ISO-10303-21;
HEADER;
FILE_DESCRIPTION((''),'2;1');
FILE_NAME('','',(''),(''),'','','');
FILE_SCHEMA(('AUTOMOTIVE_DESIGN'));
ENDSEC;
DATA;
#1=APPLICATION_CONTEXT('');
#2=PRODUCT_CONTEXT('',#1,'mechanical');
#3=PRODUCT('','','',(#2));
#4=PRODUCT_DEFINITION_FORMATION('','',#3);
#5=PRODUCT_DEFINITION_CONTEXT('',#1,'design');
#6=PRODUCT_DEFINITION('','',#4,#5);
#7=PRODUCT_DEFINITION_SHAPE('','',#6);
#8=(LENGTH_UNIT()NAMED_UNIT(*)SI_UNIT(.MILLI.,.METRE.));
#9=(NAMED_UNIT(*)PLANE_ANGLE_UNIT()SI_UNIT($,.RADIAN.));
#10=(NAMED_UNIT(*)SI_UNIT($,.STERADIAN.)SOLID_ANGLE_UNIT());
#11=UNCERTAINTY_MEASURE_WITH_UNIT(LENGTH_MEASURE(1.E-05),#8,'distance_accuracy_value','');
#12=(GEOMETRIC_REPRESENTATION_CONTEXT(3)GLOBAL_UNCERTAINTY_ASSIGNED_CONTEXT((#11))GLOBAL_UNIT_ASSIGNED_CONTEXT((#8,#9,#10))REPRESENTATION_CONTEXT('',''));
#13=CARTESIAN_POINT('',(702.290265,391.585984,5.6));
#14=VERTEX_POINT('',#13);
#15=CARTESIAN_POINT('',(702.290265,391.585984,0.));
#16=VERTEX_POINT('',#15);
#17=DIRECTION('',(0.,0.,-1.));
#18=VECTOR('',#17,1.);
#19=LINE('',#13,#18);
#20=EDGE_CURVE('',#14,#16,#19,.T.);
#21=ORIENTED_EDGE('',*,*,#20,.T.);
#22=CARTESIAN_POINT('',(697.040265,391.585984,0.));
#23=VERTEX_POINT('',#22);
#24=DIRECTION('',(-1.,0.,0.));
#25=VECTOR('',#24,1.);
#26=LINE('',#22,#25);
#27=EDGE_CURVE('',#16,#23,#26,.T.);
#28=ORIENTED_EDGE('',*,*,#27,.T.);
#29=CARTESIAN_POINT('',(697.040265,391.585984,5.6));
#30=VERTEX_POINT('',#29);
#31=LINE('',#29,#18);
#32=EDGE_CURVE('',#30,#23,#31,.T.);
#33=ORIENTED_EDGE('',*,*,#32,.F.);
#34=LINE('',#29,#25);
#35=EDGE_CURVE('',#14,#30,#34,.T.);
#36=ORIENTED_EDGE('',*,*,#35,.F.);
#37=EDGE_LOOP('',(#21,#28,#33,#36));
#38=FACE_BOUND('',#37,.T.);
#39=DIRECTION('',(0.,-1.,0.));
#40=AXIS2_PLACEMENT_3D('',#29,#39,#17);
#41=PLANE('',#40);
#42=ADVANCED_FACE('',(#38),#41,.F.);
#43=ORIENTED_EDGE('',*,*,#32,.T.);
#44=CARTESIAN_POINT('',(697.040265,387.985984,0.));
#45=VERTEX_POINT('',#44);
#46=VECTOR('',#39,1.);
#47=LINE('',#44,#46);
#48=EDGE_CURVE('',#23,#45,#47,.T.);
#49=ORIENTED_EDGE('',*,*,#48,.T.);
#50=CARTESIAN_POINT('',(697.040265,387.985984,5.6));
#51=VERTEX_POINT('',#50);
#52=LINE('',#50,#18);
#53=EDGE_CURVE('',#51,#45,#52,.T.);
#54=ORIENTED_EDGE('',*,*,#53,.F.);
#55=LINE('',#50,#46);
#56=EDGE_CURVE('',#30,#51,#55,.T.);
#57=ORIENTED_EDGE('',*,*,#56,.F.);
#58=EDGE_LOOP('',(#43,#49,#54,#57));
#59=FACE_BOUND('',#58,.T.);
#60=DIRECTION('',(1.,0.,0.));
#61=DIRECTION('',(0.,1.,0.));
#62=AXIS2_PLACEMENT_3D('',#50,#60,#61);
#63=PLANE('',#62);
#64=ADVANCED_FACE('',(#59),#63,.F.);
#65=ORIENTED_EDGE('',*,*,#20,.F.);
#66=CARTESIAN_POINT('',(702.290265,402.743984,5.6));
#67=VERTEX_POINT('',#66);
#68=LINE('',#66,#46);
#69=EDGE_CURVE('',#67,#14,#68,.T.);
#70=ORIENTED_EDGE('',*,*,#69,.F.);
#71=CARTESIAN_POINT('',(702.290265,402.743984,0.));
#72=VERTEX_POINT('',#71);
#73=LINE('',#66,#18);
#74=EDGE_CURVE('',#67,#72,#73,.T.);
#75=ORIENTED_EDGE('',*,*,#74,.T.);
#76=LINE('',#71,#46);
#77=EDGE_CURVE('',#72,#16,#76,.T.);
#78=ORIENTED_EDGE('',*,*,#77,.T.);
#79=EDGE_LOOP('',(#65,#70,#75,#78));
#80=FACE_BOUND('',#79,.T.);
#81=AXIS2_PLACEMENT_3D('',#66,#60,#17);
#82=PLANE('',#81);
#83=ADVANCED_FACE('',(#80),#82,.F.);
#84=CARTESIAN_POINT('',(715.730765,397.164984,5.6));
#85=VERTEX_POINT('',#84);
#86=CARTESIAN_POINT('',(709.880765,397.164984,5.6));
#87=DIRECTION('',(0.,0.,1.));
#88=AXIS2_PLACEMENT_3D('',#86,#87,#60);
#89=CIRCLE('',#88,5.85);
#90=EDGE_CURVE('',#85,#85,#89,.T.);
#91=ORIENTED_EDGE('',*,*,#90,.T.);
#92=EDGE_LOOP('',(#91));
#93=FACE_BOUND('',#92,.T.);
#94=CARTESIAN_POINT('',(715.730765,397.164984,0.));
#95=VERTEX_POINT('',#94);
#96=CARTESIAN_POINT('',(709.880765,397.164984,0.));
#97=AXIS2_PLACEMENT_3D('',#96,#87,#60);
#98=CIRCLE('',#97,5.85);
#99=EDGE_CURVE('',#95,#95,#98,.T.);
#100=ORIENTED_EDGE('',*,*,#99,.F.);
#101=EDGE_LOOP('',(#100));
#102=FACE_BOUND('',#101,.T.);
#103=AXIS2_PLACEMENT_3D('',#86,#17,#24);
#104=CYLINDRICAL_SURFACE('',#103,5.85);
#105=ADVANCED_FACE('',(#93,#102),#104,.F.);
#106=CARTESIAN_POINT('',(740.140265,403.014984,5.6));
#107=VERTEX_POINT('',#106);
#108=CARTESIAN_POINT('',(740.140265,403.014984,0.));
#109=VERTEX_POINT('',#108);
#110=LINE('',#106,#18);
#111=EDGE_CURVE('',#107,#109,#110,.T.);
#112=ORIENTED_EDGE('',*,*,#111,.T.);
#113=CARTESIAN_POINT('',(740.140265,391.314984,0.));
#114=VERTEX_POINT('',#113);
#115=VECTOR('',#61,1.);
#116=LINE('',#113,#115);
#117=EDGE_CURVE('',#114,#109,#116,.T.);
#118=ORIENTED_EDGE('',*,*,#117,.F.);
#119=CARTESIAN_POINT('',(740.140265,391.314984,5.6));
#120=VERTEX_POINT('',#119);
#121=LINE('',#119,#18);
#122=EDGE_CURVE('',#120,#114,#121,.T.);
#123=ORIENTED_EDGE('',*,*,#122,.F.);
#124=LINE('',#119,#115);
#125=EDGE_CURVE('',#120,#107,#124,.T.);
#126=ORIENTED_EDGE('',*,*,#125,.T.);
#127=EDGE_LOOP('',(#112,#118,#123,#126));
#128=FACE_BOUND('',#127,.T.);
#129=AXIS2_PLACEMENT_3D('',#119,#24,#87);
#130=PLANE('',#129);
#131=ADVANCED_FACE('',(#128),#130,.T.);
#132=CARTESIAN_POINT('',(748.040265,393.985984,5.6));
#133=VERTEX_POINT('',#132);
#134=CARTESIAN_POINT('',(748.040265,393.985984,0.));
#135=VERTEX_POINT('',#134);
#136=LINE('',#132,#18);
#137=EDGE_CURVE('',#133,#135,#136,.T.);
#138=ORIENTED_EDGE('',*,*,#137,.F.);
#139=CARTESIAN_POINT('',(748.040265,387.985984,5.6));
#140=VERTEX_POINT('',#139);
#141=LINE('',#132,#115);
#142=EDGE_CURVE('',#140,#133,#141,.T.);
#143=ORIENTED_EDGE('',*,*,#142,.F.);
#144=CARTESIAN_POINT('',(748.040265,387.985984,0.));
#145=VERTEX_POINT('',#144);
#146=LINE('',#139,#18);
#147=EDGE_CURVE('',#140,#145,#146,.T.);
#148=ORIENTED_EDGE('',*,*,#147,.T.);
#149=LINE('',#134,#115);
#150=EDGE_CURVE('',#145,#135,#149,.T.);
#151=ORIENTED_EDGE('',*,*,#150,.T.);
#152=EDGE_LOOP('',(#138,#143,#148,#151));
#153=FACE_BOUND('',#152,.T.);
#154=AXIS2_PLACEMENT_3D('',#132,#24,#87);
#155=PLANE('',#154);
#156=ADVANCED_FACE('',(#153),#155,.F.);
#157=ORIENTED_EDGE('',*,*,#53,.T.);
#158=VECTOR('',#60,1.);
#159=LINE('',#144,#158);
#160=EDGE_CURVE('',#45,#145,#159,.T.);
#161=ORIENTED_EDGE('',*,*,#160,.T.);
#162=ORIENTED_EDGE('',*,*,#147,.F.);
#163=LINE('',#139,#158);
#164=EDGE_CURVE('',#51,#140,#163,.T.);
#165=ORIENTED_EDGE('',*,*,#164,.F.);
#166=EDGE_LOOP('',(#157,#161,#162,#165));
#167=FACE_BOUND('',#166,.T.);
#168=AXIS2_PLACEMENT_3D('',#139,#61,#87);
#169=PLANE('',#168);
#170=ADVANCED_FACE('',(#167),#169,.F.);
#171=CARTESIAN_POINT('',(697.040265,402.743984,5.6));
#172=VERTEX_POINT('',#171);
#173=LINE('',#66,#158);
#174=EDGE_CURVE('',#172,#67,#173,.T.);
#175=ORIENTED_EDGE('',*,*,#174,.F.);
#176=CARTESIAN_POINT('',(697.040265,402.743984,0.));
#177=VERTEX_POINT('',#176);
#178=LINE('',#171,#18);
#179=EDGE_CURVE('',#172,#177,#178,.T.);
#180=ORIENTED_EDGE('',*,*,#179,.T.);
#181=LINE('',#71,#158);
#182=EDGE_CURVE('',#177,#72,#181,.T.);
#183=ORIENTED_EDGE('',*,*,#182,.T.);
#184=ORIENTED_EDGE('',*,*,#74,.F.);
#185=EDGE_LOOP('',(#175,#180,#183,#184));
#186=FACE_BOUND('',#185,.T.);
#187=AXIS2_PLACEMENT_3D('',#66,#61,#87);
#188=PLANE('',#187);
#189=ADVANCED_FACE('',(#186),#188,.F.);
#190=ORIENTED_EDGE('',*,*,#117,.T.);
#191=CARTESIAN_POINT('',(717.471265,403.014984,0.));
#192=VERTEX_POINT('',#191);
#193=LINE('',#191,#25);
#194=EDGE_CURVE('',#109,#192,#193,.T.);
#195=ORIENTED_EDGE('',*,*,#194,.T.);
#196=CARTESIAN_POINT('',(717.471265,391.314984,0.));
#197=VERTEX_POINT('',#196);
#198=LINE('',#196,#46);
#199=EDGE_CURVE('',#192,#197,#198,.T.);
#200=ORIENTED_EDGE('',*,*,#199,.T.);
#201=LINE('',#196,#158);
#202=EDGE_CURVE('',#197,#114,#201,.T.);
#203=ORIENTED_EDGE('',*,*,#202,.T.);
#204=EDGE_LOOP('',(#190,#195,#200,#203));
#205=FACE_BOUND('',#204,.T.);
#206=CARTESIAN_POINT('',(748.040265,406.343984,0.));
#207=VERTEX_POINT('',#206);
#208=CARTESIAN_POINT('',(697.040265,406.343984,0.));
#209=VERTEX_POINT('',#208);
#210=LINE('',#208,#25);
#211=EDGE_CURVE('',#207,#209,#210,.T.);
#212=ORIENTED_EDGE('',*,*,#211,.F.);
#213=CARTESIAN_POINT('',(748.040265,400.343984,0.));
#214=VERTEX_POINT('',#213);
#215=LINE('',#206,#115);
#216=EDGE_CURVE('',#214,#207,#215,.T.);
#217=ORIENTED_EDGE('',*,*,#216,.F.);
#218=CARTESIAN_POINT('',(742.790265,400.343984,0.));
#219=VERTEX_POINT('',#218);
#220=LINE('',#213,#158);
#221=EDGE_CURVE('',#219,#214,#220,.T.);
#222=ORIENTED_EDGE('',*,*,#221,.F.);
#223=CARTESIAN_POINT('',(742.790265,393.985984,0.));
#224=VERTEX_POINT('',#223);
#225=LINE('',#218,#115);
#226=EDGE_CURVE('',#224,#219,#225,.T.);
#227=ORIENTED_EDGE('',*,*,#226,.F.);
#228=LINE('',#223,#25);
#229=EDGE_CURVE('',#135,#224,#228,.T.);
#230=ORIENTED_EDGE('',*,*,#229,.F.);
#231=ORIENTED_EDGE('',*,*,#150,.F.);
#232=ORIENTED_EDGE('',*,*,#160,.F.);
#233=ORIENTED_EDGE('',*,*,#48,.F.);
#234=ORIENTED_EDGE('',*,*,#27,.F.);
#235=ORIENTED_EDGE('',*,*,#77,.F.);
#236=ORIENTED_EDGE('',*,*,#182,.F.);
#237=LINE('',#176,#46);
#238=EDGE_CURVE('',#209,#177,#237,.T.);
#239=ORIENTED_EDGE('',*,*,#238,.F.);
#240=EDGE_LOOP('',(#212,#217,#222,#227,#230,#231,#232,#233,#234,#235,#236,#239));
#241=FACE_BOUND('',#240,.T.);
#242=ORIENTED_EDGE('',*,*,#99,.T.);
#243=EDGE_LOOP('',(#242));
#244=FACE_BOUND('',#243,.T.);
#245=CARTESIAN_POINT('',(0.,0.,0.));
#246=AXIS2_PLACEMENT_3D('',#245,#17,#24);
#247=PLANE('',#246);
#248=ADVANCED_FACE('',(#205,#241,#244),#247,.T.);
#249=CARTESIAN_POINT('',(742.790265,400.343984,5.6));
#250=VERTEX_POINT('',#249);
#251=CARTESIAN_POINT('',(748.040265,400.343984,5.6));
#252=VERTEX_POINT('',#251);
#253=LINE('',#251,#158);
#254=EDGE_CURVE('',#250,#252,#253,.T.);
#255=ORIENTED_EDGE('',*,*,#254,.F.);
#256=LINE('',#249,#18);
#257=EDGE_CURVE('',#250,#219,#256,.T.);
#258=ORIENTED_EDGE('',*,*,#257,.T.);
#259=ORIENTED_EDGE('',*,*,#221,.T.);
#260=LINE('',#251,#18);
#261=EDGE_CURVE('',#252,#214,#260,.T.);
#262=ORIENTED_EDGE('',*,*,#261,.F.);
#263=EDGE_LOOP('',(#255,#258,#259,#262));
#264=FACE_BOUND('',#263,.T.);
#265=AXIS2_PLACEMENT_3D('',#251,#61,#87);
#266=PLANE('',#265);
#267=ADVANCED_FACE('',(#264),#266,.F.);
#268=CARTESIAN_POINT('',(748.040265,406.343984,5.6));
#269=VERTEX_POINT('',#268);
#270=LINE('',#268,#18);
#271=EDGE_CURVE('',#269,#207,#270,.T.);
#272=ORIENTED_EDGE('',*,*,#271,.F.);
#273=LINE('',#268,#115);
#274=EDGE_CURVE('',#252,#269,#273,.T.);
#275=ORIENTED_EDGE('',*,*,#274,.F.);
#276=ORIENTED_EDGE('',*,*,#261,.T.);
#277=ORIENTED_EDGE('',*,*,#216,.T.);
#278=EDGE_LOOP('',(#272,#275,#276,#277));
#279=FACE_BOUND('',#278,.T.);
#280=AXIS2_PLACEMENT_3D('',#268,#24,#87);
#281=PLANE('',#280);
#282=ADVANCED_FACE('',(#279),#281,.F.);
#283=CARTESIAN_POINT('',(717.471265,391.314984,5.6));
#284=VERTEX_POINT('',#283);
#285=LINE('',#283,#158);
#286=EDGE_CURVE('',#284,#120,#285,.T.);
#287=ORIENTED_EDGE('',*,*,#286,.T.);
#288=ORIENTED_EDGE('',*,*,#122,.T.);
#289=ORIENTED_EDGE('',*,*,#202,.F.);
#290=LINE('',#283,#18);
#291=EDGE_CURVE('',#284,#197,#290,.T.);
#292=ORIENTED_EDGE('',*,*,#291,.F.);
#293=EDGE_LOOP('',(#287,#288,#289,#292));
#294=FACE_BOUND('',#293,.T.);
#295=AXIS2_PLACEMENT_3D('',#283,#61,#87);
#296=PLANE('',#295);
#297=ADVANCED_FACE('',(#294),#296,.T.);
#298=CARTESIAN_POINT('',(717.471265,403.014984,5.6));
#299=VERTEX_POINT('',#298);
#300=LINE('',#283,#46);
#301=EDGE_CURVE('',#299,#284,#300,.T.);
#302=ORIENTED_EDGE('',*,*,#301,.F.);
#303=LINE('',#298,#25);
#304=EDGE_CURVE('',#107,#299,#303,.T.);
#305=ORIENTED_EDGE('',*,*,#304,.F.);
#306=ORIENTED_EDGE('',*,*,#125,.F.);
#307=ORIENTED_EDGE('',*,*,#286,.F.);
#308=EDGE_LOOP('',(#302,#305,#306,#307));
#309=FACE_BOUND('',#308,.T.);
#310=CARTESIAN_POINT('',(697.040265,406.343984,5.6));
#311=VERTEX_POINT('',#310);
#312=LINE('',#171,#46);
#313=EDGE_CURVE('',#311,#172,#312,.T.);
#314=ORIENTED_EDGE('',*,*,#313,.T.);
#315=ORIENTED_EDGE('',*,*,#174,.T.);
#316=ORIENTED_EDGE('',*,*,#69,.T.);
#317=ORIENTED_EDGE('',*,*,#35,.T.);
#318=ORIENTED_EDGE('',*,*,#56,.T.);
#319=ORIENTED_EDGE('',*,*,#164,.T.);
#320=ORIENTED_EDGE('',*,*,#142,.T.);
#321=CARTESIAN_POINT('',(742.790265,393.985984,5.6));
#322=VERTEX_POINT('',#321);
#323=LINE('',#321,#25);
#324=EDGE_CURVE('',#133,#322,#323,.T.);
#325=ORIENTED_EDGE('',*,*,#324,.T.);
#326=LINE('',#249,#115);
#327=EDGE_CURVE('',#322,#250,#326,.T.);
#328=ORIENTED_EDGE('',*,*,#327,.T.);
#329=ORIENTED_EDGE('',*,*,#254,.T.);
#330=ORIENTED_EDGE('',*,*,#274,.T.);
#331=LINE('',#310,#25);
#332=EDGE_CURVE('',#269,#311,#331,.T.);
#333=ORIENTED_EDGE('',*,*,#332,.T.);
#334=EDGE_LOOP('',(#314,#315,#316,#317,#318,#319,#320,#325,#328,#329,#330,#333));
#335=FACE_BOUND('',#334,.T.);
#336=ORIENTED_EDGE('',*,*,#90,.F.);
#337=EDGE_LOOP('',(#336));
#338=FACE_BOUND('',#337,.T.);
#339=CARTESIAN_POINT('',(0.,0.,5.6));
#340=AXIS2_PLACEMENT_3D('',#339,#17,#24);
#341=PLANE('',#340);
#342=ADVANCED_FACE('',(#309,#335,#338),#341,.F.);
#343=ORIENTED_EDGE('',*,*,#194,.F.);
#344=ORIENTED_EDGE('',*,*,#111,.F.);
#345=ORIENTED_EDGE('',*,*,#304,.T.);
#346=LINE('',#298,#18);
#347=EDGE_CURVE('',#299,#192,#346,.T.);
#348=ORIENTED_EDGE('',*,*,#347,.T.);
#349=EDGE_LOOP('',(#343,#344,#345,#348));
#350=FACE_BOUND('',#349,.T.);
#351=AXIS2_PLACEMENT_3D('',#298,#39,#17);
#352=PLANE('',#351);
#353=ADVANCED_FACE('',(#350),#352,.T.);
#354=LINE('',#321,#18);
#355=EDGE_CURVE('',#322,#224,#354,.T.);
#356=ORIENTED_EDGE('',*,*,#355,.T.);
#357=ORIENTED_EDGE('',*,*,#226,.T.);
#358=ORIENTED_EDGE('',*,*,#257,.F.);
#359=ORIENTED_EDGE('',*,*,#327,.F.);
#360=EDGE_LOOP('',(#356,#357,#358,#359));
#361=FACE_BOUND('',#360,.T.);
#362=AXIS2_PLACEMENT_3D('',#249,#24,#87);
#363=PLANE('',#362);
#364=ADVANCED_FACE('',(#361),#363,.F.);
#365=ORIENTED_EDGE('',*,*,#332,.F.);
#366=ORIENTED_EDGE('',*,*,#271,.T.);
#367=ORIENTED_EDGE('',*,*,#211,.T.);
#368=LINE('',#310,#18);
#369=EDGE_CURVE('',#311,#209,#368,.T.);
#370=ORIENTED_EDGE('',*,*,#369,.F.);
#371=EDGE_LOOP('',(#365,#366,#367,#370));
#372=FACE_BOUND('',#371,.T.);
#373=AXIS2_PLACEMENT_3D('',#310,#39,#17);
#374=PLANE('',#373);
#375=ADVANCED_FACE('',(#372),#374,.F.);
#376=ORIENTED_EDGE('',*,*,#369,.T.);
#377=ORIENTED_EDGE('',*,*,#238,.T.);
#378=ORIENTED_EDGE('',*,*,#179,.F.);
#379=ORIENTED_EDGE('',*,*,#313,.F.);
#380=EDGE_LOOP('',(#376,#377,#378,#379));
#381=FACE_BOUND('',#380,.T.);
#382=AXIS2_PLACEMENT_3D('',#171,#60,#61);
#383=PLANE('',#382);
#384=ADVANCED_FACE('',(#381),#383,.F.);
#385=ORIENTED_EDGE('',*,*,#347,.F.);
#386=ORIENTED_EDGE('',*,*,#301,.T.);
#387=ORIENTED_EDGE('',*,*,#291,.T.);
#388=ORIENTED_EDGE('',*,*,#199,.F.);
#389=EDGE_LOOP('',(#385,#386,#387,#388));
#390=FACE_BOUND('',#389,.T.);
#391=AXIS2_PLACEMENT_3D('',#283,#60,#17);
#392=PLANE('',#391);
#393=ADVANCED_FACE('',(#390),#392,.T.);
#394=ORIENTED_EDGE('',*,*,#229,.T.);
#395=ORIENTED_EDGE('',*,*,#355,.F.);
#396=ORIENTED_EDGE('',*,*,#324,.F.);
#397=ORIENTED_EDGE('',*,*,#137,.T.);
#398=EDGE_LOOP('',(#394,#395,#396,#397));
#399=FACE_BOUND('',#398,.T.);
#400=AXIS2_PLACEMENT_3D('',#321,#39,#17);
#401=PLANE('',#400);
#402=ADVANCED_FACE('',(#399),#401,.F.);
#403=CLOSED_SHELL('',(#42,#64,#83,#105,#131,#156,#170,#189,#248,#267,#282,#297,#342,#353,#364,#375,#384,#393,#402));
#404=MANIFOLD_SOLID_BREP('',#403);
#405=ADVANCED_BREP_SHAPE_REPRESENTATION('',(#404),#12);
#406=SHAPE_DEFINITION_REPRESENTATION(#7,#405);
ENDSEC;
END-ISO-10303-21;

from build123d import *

# Parameters (mm, degrees)
SKETCH1_R           = 5.85
SKETCH1_W           = 22.669
SKETCH1_H           = 11.7
BOSS_EXTRUDE1_DEPTH = 5.6


with BuildPart() as part:
    # Sketch1 → Boss-Extrude1 (new body)
    with BuildSketch(Plane.XY):
        Polygon((702.290264671, 402.743983564), (702.290264671, 391.585983564), (697.040264671, 391.585983564), (697.040264671, 387.985983564), (748.040264671, 387.985983564), (748.040264671, 393.985983564), (742.790264671, 393.985983564), (742.790264671, 400.343983564), (748.040264671, 400.343983564), (748.040264671, 406.343983564), (697.040264671, 406.343983564), (697.040264671, 402.743983564), align=None)
        with Locations((709.880764671, 397.164983564)):
            Circle(SKETCH1_R, mode=Mode.SUBTRACT)
        with Locations((728.805764671, 397.164983564)):
            Rectangle(SKETCH1_W, SKETCH1_H, mode=Mode.SUBTRACT)
    extrude(amount=BOSS_EXTRUDE1_DEPTH)


solid = part.part
